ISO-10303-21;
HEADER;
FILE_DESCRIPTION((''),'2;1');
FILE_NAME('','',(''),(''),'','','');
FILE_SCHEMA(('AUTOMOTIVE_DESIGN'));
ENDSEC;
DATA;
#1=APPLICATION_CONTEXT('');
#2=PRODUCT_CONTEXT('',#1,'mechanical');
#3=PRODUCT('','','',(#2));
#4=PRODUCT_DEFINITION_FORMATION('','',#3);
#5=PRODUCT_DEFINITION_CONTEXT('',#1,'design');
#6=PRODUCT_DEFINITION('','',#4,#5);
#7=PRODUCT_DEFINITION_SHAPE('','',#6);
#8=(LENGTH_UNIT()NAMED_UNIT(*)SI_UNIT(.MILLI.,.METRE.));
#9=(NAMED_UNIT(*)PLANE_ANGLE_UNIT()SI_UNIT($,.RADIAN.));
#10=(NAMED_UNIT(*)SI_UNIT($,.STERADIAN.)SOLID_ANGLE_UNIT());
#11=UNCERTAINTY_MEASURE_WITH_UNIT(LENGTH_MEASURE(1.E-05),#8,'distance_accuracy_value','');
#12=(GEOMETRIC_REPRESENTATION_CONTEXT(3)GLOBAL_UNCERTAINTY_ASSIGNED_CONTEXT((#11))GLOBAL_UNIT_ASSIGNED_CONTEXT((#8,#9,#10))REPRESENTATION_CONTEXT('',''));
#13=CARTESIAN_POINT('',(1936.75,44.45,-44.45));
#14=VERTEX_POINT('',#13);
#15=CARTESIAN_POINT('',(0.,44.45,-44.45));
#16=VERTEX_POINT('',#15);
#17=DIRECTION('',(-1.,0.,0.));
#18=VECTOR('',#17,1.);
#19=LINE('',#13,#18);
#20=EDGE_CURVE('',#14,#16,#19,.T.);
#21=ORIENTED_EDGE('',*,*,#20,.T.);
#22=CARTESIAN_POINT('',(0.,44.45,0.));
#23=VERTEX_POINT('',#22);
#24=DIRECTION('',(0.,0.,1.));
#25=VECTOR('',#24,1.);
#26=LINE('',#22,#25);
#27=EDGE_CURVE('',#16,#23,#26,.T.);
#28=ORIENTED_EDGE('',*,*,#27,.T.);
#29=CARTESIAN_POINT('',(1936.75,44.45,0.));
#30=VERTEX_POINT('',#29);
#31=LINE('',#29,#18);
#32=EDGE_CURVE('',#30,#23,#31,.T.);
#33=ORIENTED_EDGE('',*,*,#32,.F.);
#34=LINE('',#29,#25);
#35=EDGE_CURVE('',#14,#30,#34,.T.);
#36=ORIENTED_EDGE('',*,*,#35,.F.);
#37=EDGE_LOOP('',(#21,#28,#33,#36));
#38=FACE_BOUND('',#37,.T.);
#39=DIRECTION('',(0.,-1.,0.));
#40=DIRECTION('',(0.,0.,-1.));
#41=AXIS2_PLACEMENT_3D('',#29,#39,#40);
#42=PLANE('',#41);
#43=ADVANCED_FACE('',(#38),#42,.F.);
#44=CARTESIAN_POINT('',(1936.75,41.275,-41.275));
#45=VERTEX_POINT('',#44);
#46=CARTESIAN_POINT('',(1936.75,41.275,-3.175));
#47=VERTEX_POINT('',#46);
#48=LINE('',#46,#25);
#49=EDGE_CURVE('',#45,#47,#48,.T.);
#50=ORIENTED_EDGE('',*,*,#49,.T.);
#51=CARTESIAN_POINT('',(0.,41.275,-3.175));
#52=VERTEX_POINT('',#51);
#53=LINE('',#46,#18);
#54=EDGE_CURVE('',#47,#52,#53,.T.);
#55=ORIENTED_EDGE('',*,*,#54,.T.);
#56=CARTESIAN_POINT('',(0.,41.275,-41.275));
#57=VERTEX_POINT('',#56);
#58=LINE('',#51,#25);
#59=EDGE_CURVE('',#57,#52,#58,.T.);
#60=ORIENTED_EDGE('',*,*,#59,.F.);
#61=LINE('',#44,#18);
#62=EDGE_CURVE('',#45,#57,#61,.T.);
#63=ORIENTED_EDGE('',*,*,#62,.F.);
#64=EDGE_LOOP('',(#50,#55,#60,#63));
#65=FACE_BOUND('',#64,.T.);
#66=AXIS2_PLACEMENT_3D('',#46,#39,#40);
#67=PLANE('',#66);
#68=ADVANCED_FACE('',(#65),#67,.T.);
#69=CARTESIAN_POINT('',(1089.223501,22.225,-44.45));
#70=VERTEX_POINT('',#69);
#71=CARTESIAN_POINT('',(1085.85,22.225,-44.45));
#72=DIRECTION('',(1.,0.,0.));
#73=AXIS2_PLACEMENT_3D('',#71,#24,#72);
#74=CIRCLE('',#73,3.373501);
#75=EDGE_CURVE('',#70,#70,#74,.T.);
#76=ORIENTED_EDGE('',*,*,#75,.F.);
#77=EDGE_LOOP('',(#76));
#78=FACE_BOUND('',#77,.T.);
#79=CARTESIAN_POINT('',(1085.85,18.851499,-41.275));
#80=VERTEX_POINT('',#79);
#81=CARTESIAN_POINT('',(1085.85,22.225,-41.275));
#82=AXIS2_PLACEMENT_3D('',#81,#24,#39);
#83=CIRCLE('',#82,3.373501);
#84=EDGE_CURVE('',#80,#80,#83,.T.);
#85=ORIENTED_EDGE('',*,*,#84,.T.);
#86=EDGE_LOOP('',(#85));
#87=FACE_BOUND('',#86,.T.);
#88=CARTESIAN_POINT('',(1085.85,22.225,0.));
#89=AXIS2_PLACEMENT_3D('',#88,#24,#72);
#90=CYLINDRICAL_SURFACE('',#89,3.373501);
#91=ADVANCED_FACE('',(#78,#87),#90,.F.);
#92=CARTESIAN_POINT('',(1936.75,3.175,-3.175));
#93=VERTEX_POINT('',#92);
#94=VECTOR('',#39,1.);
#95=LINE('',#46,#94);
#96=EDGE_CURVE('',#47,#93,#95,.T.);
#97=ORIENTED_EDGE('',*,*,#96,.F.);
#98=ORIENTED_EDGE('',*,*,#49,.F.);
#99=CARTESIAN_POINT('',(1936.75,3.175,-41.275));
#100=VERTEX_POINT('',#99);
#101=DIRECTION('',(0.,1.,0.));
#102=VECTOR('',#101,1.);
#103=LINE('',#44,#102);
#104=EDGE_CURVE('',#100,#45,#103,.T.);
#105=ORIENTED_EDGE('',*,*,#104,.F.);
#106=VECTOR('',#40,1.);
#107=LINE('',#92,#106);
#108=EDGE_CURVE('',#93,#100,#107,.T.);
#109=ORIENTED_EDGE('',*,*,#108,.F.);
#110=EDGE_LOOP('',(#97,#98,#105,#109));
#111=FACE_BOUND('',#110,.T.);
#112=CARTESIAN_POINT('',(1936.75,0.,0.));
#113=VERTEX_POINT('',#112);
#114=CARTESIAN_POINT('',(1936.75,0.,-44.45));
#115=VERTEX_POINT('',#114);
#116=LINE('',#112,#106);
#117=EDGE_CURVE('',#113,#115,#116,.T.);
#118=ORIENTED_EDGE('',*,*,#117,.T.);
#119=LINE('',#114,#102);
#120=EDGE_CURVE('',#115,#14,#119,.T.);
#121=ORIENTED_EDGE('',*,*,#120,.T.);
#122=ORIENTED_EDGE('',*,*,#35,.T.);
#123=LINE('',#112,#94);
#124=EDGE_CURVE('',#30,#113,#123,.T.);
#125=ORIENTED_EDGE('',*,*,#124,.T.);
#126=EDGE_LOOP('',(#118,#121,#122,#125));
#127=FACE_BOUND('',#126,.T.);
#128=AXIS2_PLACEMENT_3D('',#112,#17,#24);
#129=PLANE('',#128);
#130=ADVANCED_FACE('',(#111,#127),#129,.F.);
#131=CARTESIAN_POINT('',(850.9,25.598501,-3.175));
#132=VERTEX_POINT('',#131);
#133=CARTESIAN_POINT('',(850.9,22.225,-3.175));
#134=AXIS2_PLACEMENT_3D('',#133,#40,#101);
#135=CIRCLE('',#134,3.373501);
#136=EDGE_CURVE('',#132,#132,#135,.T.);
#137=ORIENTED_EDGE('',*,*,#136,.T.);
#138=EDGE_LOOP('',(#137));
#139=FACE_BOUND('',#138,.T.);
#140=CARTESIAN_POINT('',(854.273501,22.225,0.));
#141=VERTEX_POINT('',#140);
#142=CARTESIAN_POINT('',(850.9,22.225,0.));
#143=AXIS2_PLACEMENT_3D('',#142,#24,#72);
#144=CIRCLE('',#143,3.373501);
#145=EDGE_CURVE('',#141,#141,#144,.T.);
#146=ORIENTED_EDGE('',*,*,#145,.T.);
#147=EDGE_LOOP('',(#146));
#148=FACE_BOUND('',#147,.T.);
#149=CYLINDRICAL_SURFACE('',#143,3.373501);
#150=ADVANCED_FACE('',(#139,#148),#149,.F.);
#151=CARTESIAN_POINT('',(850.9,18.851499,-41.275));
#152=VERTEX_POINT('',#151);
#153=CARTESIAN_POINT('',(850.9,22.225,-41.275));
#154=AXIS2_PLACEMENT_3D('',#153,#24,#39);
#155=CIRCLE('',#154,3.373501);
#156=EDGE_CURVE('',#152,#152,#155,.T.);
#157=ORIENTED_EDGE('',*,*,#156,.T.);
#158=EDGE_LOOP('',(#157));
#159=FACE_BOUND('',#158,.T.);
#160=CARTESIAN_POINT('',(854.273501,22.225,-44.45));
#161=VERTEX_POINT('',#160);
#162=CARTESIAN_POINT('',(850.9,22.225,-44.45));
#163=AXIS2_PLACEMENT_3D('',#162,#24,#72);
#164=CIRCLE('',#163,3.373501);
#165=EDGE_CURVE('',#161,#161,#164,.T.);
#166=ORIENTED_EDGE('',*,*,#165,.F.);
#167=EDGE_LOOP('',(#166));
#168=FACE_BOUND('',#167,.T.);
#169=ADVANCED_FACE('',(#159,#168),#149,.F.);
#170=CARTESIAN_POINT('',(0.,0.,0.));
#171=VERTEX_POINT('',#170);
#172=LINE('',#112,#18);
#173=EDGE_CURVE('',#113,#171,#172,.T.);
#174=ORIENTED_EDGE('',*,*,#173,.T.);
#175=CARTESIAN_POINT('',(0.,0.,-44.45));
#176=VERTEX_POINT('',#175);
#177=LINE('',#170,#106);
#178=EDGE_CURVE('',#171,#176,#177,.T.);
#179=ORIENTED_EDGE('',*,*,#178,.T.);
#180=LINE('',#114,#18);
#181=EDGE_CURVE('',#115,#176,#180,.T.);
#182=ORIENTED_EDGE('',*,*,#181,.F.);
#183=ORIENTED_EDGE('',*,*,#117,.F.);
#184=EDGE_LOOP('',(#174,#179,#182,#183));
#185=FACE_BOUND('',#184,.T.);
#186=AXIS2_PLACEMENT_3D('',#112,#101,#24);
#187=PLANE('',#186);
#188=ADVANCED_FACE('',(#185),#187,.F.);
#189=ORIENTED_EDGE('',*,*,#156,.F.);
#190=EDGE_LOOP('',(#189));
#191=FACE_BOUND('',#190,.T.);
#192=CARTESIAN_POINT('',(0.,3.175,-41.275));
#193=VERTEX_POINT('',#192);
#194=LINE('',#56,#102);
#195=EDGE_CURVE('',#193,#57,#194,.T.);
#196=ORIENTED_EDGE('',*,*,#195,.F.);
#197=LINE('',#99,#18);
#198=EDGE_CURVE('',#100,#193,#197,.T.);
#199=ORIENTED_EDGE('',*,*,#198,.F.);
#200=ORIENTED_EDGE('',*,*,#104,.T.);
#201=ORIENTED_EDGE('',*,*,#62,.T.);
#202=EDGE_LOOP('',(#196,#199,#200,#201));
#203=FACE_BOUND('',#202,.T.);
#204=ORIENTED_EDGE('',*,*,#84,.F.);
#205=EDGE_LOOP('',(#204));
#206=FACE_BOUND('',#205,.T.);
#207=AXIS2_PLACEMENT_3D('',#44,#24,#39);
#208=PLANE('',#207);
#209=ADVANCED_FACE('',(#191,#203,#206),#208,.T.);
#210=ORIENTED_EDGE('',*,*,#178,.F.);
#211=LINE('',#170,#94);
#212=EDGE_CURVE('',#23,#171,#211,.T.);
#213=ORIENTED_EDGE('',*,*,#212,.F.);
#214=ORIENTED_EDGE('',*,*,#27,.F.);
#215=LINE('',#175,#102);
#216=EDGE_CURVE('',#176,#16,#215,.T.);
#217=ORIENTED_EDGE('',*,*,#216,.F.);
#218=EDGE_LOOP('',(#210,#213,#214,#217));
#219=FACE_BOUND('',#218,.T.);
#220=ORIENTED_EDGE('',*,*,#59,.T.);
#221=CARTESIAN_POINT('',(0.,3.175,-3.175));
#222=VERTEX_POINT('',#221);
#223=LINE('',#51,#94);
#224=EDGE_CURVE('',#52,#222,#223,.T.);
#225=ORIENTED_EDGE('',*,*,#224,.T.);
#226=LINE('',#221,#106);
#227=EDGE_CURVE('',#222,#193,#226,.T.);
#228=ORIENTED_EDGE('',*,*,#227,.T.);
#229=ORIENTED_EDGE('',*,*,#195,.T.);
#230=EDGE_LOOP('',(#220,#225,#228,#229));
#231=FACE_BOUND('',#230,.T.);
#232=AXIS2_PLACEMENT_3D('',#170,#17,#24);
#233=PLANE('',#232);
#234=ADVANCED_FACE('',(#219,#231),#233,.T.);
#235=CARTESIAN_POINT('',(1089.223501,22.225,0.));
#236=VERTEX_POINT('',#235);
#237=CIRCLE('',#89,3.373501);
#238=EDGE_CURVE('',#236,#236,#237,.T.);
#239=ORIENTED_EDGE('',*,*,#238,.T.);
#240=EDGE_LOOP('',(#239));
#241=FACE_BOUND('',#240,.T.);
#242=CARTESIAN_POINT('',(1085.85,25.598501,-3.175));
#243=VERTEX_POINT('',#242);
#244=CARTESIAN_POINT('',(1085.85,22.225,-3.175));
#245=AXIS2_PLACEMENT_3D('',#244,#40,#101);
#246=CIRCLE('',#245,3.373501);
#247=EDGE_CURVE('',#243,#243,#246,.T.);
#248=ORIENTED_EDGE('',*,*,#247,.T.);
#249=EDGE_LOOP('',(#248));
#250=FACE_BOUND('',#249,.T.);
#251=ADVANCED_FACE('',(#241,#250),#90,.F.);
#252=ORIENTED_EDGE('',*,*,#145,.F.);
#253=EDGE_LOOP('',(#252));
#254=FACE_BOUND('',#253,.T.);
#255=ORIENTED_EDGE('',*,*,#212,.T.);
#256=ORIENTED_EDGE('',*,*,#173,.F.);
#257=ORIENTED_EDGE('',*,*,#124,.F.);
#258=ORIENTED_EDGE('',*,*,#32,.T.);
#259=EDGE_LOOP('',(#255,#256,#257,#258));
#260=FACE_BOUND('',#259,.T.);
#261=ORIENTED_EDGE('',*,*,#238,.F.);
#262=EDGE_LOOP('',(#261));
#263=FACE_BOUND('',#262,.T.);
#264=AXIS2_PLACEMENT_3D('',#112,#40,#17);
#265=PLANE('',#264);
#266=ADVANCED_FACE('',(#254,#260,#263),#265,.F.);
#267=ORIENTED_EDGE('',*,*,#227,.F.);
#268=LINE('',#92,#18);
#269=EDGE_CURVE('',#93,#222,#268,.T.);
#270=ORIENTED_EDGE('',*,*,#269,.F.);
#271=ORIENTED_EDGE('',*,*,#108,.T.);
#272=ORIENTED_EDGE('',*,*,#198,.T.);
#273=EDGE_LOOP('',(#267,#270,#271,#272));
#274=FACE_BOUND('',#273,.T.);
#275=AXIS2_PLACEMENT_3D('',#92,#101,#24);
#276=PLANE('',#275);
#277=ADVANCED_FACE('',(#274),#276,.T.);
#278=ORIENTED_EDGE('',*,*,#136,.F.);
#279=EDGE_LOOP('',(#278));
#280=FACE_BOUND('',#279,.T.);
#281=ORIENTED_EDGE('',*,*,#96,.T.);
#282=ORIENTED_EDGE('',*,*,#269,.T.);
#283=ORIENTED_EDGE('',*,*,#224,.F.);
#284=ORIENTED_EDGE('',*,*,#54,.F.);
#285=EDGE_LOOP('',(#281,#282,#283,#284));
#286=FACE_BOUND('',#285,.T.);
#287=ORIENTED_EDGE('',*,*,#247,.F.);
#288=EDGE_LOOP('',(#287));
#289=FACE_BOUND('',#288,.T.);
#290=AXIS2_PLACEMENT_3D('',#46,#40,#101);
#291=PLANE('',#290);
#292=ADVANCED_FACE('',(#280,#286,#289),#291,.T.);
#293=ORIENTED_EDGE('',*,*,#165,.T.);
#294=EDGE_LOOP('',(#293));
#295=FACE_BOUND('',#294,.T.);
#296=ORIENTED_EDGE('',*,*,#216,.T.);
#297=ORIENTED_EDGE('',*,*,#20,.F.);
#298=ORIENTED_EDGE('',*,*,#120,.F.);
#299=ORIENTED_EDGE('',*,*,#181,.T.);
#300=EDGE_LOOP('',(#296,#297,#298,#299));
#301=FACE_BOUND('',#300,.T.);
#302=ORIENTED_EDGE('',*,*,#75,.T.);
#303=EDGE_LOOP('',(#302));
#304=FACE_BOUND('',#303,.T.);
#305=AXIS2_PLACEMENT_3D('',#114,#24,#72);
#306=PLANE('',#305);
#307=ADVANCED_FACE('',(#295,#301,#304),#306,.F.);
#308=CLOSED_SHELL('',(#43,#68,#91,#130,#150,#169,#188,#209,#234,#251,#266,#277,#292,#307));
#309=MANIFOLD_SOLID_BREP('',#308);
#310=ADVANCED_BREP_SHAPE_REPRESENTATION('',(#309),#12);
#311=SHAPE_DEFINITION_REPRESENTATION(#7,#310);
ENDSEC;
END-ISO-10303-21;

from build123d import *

# Parameters (mm, degrees)
SKETCH1_W                        = 44.45
SKETCH1_H                        = 44.45
SKETCH1_W_2                      = 38.1
SKETCH1_H_2                      = 38.1
BOSS_EXTRUDE1_DEPTH              = 1936.75
F_17_64_0_26563_DIAMETER_HOLE1_D = 6.747002


with BuildPart() as part:
    # Sketch1 → Boss-Extrude1 (new body)
    with BuildSketch(Plane(origin=(0, 0, 0), x_dir=(0, 0, -1), z_dir=(1, 0, 0))):
        with Locations((22.225, 22.225)):
            Rectangle(SKETCH1_W, SKETCH1_H)
        with Locations((22.225, 22.225)):
            Rectangle(SKETCH1_W_2, SKETCH1_H_2, mode=Mode.SUBTRACT)
    extrude(amount=BOSS_EXTRUDE1_DEPTH)

    # 17/64 (0.26563) Diameter Hole1 (through all)
    with Locations(Plane.XY):
        with Locations((850.9, 22.225), (1085.85, 22.225)):
            Hole(F_17_64_0_26563_DIAMETER_HOLE1_D / 2)


solid = part.part
